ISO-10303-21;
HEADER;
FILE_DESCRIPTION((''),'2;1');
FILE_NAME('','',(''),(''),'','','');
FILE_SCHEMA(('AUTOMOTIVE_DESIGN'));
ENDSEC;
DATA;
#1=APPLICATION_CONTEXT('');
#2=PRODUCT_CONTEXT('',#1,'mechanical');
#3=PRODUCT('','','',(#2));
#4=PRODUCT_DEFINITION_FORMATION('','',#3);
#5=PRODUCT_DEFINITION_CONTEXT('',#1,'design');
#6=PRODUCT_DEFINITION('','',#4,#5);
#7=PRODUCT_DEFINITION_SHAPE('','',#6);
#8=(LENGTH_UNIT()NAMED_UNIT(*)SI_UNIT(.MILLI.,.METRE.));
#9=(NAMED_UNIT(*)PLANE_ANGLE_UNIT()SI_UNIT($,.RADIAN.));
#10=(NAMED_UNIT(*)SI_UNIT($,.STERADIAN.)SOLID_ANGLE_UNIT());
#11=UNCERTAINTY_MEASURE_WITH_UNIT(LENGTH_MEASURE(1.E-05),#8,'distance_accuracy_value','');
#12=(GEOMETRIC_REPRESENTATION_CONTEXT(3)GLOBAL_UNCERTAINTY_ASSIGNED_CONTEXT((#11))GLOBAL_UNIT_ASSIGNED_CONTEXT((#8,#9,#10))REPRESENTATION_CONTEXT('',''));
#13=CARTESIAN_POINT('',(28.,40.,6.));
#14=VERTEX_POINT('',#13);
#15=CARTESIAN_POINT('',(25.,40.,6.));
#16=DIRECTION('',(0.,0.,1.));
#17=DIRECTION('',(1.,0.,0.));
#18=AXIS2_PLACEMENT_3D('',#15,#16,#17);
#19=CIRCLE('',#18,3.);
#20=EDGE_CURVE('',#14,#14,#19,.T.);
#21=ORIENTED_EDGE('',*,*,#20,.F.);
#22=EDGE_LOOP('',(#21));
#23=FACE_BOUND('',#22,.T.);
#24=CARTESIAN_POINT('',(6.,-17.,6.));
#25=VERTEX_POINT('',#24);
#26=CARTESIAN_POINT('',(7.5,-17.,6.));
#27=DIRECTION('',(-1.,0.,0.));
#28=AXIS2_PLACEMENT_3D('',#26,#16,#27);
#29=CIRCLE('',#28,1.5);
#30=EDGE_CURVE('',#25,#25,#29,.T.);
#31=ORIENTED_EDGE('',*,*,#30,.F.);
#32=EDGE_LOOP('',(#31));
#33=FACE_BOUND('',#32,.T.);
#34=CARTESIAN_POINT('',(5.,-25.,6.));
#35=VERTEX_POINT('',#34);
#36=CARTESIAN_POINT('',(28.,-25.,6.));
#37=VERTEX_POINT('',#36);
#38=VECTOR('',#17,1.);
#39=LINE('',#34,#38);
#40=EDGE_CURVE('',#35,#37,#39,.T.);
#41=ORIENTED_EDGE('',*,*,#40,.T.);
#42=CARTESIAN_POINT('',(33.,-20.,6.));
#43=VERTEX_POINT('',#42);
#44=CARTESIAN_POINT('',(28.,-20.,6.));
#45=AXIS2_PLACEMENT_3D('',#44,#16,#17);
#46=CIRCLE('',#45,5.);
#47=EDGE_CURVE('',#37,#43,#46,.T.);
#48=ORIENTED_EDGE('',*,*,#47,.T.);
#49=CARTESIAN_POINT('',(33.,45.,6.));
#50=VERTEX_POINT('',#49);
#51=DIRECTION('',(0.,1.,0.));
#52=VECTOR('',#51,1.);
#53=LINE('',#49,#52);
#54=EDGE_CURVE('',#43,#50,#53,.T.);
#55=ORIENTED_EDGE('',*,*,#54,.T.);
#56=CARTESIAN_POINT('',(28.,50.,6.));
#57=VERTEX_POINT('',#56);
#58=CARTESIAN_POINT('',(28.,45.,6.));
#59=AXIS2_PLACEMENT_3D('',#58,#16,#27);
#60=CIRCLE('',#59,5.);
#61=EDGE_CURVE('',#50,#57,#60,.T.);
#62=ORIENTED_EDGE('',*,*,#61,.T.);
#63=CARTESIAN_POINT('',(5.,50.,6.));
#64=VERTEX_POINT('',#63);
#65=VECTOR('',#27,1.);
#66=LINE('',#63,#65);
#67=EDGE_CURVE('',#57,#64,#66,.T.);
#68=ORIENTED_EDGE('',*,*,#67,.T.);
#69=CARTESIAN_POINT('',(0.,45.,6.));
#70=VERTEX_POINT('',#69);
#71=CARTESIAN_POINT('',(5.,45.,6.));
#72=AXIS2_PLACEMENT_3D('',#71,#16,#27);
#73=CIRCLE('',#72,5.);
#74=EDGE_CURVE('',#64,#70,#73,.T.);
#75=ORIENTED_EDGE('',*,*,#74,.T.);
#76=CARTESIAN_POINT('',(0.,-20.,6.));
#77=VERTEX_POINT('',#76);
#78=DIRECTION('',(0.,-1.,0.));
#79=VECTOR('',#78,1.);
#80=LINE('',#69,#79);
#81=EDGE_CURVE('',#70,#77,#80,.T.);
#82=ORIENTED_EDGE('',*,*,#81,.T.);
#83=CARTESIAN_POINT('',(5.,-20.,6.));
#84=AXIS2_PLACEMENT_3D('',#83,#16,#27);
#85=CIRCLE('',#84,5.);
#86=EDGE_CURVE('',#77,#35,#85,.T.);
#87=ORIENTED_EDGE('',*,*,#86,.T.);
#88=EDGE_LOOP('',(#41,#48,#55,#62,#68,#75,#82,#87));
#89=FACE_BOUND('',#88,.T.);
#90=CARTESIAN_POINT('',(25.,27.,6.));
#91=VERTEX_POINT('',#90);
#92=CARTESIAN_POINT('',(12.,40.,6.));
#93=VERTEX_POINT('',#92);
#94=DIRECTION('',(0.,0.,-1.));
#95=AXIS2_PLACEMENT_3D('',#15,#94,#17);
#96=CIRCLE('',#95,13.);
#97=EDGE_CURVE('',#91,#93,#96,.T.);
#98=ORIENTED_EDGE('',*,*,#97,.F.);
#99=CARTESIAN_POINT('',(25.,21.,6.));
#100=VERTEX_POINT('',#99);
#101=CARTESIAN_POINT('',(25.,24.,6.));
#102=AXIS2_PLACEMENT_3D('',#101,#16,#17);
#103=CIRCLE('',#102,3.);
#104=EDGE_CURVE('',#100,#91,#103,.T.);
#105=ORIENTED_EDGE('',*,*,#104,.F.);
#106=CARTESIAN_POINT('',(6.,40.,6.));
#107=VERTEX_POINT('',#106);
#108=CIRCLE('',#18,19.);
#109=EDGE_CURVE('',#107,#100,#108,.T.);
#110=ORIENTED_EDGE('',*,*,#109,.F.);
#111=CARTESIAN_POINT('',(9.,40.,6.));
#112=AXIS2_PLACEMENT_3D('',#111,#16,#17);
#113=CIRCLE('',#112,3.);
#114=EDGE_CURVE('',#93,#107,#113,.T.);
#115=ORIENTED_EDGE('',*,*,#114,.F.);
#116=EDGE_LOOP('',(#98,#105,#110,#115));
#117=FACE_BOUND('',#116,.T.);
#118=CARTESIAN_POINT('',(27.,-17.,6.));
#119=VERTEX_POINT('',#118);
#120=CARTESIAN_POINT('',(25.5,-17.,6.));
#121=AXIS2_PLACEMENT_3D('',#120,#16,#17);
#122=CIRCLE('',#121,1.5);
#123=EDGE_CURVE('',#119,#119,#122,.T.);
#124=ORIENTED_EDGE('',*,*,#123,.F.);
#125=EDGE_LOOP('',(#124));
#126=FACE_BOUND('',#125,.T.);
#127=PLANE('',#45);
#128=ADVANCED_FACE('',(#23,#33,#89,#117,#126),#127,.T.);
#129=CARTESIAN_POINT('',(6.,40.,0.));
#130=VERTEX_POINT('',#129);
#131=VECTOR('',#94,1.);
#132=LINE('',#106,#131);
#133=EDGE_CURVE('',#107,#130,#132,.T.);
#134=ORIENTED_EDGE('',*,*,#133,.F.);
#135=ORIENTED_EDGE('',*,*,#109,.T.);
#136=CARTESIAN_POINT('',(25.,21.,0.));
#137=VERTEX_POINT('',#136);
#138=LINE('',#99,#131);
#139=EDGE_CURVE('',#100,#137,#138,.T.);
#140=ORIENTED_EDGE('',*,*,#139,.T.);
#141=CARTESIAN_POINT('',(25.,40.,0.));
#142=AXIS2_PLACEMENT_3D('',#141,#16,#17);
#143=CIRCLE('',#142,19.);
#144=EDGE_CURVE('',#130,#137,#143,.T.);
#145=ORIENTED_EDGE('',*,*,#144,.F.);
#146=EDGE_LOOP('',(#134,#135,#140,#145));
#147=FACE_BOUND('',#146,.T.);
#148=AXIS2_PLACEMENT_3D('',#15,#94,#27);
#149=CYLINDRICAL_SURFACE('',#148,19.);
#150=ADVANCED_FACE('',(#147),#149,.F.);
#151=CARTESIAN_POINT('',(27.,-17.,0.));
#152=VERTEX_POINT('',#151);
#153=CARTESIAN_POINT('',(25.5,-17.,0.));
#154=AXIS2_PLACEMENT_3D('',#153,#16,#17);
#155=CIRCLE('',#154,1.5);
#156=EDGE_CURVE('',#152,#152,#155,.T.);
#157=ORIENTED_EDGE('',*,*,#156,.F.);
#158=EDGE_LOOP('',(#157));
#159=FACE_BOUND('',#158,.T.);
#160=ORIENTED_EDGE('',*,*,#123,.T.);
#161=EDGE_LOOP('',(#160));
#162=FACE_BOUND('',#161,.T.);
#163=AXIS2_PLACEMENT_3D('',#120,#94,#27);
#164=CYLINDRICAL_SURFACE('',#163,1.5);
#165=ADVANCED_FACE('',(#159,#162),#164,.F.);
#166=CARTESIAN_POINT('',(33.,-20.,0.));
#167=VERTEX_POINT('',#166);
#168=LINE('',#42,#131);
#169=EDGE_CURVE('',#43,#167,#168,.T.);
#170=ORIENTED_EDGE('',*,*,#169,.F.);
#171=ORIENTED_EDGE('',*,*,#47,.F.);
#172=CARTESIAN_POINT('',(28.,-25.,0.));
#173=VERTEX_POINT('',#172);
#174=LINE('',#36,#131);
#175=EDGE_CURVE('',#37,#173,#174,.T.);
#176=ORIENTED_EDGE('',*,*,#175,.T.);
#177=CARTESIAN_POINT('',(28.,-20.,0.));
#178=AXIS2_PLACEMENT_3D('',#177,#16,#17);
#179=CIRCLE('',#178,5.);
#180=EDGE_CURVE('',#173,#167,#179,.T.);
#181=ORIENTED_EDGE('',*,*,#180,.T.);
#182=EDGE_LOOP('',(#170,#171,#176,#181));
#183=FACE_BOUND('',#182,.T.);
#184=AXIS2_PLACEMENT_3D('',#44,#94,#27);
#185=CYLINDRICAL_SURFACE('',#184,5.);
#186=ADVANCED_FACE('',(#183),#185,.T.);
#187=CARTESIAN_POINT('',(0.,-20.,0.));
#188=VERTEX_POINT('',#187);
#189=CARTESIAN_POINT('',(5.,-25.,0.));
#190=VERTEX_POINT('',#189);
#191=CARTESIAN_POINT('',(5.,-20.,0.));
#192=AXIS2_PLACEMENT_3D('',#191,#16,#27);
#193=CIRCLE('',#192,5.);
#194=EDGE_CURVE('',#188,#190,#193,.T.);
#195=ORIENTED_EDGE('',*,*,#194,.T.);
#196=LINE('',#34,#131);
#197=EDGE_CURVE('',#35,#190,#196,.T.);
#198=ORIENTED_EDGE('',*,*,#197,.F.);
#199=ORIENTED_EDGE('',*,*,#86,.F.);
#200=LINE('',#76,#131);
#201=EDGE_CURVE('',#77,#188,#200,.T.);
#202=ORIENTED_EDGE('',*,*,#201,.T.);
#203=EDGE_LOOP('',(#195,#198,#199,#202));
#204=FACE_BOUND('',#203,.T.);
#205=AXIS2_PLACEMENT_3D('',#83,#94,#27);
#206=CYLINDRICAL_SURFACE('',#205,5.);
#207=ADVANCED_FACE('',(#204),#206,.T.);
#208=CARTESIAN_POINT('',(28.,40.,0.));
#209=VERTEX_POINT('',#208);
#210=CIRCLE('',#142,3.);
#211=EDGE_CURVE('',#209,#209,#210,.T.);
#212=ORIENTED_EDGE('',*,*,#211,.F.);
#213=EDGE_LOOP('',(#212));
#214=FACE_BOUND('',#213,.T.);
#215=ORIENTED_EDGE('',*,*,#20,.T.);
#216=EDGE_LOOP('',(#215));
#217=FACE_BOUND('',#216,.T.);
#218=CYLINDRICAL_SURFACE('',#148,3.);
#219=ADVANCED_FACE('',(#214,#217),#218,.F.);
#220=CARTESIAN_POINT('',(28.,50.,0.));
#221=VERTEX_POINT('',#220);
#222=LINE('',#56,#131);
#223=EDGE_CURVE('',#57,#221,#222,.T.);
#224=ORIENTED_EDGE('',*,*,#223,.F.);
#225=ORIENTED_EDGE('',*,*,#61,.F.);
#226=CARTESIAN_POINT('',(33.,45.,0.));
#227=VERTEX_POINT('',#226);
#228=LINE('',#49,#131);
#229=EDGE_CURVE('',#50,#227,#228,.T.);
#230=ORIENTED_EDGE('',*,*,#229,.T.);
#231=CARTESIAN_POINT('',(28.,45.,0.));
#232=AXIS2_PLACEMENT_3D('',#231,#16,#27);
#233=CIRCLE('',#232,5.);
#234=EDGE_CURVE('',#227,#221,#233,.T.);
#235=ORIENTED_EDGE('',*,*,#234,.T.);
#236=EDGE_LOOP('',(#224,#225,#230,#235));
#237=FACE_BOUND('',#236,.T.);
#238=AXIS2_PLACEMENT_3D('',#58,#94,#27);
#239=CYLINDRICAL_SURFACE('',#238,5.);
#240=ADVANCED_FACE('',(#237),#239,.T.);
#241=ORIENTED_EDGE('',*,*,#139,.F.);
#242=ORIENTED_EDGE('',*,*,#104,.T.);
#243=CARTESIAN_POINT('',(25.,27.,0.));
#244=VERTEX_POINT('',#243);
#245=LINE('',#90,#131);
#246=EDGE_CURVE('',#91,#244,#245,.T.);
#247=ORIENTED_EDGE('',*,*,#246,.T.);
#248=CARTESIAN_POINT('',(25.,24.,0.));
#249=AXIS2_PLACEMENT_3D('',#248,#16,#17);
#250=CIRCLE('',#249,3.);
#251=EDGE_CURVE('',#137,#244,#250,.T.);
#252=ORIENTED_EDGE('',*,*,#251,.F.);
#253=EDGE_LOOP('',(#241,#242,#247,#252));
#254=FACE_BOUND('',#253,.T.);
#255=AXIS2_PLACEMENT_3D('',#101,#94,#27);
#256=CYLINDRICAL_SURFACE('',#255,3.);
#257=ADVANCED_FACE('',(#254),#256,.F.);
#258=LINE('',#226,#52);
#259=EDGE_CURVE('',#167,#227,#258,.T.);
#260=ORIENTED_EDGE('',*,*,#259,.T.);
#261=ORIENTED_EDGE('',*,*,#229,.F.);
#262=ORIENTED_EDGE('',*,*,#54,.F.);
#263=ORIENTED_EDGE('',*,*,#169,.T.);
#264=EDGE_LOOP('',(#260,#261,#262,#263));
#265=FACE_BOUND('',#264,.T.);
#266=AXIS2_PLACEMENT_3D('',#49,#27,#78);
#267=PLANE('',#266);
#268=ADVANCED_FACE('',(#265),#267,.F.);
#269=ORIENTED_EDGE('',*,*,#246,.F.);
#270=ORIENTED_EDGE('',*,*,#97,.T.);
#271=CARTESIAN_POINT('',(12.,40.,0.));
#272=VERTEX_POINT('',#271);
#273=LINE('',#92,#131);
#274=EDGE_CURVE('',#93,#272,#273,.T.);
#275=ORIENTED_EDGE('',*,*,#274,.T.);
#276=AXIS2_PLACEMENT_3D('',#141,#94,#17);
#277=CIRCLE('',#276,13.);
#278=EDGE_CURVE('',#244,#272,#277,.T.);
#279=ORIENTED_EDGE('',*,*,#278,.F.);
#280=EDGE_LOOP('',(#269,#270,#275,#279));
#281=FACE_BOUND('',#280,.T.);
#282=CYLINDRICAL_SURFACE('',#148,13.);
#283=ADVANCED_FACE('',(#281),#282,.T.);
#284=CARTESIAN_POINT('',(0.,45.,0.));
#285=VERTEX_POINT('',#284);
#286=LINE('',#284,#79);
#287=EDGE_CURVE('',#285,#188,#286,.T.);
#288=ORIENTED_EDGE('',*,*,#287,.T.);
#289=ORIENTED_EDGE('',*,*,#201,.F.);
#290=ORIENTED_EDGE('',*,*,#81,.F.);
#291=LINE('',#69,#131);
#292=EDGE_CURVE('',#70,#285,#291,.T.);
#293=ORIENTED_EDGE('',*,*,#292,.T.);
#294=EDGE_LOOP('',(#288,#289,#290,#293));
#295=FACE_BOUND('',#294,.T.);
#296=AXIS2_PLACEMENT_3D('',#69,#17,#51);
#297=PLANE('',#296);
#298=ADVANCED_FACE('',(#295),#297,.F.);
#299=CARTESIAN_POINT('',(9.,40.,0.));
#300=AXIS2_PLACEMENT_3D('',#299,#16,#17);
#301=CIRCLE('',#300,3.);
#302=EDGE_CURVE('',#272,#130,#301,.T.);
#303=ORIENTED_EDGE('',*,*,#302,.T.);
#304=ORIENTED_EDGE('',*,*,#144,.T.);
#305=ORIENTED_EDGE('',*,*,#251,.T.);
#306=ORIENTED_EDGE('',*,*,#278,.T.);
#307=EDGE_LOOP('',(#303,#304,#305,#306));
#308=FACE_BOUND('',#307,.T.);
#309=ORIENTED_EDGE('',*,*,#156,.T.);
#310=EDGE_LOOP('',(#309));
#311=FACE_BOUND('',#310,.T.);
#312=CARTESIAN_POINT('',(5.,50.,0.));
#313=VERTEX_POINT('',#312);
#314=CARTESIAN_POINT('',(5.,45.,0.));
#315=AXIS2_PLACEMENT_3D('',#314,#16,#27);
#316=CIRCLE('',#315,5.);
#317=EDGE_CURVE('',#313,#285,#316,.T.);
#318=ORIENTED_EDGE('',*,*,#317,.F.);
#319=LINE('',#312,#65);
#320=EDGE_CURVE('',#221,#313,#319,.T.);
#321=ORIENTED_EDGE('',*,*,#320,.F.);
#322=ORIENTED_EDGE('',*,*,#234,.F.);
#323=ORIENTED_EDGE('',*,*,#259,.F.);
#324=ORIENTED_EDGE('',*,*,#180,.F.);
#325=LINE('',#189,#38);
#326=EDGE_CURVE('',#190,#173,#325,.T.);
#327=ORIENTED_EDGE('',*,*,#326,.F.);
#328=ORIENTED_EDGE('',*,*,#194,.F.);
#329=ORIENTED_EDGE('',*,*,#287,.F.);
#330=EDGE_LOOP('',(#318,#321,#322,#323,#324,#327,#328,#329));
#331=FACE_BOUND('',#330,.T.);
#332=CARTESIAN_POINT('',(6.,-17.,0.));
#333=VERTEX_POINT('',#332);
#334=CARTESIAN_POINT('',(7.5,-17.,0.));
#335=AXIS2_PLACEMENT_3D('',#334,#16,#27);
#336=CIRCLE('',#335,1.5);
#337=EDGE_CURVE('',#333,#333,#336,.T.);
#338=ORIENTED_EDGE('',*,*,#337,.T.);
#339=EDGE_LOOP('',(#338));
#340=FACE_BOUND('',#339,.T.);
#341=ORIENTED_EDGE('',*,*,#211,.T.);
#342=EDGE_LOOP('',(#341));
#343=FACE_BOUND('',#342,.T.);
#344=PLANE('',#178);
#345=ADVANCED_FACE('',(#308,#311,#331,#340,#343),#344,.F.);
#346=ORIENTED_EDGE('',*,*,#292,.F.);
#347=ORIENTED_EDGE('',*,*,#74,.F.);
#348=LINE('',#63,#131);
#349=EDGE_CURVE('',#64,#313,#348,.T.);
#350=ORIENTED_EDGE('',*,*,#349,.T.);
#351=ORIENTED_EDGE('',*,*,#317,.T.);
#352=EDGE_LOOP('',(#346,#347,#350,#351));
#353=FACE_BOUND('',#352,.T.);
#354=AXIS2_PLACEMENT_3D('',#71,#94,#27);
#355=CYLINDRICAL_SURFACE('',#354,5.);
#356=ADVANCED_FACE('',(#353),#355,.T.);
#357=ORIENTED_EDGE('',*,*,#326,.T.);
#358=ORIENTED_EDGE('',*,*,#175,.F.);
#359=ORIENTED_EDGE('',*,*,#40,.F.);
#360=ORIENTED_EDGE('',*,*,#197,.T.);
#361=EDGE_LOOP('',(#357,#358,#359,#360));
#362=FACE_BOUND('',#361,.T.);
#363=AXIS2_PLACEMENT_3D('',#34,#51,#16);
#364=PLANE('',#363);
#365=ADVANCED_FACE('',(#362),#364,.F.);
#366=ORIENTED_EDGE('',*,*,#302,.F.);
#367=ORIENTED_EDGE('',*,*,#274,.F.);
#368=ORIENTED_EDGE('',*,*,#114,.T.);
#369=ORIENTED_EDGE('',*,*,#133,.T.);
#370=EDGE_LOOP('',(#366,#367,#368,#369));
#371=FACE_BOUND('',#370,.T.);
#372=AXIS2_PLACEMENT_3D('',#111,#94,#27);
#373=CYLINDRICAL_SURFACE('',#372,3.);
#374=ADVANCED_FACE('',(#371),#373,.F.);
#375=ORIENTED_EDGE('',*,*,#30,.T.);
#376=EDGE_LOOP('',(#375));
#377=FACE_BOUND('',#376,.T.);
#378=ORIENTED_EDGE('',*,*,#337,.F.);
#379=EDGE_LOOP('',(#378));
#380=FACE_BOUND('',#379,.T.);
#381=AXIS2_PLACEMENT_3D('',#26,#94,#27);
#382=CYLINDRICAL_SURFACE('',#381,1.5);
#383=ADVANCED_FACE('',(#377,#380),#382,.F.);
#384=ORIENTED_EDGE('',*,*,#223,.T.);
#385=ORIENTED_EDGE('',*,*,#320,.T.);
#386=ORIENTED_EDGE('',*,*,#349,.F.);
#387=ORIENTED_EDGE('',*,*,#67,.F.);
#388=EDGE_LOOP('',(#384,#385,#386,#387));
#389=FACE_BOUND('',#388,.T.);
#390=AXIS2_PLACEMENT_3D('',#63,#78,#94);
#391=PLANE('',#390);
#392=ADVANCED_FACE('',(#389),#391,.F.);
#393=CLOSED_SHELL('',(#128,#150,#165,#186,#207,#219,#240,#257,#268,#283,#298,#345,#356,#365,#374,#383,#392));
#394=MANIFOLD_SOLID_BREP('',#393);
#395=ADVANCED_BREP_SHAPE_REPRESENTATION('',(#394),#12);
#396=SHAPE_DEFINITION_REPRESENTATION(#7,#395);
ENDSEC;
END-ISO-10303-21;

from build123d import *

# Parameters (mm, degrees)
ESBO_O1_R                = 3
ESBO_O1_R_2              = 1.5
RESSALTO_EXTRUS_O2_DEPTH = 6


with BuildPart() as part:
    # Esboço1 → Ressalto-extrusão2 (new body)
    with BuildSketch(Plane.XY):
        with BuildLine():
            Line((5, 50), (28, 50))
            ThreePointArc((28, 50), (31.535533906, 48.535533906), (33, 45))
            Line((33, 45), (33, -20))
            ThreePointArc((33, -20), (31.535533906, -23.535533906), (28, -25))
            Line((28, -25), (5, -25))
            ThreePointArc((5, -25), (1.464466094, -23.535533906), (0, -20))
            Line((0, -20), (0, 45))
            ThreePointArc((0, 45), (1.464466094, 48.535533906), (5, 50))
        make_face()
        with Locations((25, 40)):
            Circle(ESBO_O1_R, mode=Mode.SUBTRACT)
        with Locations((25.5, -17)):
            Circle(ESBO_O1_R_2, mode=Mode.SUBTRACT)
        with Locations((7.5, -17)):
            Circle(ESBO_O1_R_2, mode=Mode.SUBTRACT)
        with BuildLine():
            ThreePointArc((6, 40), (11.564971157, 26.564971157), (25, 21))
            ThreePointArc((25, 21), (28, 24), (25, 27))
            ThreePointArc((25, 27), (15.807611845, 30.807611845), (12, 40))
            ThreePointArc((12, 40), (9, 43), (6, 40))
        make_face(mode=Mode.SUBTRACT)
    extrude(amount=RESSALTO_EXTRUS_O2_DEPTH)


solid = part.part
